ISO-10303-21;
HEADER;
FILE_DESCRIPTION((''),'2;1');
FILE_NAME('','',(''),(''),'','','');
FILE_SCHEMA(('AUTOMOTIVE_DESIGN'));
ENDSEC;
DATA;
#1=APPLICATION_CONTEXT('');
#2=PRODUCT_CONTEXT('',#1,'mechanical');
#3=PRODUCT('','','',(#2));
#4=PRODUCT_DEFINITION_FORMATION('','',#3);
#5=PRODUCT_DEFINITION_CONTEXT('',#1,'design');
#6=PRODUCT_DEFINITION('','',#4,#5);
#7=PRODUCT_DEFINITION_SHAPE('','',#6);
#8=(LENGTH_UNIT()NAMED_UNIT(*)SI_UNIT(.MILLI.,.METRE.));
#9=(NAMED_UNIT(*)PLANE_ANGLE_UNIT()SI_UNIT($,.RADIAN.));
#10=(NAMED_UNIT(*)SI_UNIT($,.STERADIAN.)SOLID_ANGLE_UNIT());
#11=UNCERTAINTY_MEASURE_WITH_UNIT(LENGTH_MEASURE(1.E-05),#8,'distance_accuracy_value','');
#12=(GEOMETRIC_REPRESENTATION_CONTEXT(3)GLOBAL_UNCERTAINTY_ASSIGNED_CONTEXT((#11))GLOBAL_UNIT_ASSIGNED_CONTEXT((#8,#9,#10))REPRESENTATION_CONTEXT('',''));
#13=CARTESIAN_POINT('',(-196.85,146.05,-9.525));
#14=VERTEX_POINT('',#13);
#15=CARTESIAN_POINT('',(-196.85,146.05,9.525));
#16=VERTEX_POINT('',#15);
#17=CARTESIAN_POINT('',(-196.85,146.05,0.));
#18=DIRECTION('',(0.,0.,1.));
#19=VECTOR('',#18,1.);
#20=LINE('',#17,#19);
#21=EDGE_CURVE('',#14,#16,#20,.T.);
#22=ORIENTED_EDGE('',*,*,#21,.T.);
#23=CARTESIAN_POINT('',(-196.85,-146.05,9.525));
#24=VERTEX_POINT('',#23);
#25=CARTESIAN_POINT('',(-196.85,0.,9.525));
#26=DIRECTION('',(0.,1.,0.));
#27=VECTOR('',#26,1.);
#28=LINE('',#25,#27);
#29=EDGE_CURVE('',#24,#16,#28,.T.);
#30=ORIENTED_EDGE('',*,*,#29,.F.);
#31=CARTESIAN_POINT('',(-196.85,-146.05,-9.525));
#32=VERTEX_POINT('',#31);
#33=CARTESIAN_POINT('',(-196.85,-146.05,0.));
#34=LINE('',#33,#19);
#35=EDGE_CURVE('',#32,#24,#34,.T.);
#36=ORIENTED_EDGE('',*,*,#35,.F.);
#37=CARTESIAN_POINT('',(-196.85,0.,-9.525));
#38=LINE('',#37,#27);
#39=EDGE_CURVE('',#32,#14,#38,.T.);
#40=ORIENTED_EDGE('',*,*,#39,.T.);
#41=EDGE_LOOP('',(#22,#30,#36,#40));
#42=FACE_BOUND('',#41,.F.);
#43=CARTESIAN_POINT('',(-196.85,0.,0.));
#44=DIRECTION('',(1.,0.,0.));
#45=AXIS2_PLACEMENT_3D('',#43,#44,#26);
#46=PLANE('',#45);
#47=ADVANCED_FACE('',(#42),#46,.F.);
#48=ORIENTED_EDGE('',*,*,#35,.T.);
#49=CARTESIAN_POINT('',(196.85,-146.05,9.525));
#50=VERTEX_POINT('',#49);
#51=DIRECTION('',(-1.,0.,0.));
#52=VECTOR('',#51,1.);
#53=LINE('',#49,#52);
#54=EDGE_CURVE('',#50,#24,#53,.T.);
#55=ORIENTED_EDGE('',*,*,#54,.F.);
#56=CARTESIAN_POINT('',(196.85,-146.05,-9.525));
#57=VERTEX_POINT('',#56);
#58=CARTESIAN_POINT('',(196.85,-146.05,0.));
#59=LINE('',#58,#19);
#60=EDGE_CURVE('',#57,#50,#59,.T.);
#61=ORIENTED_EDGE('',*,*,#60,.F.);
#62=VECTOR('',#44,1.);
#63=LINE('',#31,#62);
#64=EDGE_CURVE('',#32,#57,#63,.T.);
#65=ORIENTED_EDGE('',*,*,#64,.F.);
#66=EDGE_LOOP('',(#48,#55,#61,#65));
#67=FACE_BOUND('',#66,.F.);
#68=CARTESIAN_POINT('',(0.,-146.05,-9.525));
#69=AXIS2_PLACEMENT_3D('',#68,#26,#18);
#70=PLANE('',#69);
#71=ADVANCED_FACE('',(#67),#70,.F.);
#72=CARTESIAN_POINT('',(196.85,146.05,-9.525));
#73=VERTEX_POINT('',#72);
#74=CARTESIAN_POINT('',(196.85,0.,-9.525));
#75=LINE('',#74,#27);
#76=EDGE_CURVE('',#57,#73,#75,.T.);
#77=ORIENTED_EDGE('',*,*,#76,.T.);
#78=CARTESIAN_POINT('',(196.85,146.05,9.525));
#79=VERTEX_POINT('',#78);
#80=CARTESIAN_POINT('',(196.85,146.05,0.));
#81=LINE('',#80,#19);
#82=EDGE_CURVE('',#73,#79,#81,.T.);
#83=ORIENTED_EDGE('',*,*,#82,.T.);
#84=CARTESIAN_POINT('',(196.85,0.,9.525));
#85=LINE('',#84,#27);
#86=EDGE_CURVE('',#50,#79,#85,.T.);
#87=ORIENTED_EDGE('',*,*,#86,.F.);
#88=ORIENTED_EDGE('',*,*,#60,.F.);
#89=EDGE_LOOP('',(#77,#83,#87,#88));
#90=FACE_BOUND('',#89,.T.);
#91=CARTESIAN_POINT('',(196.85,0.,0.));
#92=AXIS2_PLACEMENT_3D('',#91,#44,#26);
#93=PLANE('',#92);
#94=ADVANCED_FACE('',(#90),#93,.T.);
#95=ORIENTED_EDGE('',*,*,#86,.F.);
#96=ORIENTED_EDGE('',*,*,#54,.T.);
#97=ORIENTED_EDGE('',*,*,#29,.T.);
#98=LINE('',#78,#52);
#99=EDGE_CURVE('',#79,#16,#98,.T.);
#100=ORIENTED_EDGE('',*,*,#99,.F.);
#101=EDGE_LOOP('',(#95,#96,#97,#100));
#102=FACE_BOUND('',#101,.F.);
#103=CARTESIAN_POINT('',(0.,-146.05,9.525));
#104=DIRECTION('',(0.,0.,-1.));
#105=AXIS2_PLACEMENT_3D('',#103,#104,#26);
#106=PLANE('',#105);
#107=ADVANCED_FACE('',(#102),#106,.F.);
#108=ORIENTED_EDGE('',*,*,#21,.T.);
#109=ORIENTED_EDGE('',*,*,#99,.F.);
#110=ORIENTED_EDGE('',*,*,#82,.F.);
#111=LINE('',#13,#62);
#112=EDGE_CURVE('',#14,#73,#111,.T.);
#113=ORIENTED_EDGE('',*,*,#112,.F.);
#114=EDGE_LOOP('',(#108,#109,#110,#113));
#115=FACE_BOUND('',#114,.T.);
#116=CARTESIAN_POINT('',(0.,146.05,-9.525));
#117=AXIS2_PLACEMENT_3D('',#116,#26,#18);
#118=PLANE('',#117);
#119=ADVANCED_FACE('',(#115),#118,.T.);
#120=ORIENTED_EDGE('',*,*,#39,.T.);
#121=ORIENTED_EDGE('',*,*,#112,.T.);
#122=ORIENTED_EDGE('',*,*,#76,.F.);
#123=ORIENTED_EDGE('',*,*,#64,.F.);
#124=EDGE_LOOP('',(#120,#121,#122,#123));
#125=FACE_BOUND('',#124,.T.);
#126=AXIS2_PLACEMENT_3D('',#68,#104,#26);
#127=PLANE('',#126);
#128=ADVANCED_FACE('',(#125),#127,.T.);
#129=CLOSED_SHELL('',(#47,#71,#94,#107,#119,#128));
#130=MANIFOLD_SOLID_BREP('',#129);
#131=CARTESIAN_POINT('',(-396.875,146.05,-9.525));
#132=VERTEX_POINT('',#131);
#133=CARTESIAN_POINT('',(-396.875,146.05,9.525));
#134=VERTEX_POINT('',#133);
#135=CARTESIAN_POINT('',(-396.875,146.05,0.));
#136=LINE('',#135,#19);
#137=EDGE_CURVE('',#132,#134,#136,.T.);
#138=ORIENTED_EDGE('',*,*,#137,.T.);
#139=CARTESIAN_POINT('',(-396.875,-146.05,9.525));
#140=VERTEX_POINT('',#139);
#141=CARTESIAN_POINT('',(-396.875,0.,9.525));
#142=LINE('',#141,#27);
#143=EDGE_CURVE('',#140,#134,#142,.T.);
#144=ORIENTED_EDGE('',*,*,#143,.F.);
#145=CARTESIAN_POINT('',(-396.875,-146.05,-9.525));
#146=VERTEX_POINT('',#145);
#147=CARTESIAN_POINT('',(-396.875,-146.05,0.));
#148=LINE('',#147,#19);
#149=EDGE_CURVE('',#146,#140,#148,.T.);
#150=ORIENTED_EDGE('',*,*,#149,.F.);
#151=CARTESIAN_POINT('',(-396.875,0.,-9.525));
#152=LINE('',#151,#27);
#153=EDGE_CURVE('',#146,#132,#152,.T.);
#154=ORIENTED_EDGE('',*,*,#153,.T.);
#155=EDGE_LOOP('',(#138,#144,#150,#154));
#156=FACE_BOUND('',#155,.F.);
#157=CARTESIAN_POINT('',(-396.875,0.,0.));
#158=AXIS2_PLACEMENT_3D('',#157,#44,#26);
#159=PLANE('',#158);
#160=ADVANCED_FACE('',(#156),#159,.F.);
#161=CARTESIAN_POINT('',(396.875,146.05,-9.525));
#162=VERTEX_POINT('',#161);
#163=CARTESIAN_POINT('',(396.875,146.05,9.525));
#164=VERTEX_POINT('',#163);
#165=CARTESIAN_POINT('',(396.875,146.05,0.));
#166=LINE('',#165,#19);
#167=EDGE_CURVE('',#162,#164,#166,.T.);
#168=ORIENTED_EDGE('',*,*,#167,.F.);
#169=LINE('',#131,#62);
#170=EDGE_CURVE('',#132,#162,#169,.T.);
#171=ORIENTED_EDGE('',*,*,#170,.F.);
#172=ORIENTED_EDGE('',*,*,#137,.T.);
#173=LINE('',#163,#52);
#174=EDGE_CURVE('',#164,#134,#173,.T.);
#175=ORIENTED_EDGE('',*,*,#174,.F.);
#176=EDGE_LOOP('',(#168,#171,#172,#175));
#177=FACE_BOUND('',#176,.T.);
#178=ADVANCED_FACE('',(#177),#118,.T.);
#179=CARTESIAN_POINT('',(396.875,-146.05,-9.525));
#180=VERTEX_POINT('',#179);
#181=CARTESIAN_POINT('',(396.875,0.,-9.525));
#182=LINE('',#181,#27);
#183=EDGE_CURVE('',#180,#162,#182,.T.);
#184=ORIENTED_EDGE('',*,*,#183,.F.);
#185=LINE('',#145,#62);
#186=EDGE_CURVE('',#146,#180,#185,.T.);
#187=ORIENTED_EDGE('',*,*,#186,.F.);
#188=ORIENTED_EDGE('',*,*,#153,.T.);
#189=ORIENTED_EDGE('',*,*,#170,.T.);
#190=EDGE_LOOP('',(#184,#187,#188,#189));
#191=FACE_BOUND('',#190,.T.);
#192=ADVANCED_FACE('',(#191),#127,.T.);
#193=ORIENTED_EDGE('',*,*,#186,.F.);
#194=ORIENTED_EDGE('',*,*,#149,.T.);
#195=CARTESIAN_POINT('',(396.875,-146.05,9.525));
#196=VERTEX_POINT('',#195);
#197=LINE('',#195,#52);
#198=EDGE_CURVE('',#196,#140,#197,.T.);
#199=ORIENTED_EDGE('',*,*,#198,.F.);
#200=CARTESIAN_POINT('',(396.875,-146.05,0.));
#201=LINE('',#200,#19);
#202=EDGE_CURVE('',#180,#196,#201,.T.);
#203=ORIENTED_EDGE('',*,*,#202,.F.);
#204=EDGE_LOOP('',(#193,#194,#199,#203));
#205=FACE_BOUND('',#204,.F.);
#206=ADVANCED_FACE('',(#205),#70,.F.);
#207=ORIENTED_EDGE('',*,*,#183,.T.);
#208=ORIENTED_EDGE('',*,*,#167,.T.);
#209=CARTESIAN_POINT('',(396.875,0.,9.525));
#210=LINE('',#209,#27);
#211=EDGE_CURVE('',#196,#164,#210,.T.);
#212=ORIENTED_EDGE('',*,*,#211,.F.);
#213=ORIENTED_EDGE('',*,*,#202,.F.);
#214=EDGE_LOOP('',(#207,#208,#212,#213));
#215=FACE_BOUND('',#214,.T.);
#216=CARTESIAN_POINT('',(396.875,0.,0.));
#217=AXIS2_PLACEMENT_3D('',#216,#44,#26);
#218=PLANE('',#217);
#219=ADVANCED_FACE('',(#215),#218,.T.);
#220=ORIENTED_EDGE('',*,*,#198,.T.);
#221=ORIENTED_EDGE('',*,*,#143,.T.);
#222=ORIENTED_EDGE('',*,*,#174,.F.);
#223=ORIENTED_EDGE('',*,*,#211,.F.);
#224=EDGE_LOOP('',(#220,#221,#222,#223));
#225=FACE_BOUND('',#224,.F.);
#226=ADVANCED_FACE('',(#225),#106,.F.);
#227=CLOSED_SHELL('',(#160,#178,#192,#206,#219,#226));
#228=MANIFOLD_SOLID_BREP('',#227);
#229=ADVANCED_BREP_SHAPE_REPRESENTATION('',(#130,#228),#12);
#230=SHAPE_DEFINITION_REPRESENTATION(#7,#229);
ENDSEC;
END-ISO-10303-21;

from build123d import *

# Parameters (mm, degrees)
F0_W     = 292.1
F0_H     = 19.05
F1_DEPTH = 196.85
F2_DEPTH = 396.875


with BuildPart() as f1:
    # F0 (on Right) → F1 (new body, symmetric)
    with BuildSketch(Plane.YZ):
        Rectangle(F0_W, F0_H)
    extrude(amount=F1_DEPTH, both=True)


with BuildPart() as f2:
    # F0 (on Right) → F2 (new body, symmetric)
    with BuildSketch(Plane.YZ):
        Rectangle(F0_W, F0_H)
    extrude(amount=F2_DEPTH, both=True)


solid = Compound([f1.part, f2.part])
